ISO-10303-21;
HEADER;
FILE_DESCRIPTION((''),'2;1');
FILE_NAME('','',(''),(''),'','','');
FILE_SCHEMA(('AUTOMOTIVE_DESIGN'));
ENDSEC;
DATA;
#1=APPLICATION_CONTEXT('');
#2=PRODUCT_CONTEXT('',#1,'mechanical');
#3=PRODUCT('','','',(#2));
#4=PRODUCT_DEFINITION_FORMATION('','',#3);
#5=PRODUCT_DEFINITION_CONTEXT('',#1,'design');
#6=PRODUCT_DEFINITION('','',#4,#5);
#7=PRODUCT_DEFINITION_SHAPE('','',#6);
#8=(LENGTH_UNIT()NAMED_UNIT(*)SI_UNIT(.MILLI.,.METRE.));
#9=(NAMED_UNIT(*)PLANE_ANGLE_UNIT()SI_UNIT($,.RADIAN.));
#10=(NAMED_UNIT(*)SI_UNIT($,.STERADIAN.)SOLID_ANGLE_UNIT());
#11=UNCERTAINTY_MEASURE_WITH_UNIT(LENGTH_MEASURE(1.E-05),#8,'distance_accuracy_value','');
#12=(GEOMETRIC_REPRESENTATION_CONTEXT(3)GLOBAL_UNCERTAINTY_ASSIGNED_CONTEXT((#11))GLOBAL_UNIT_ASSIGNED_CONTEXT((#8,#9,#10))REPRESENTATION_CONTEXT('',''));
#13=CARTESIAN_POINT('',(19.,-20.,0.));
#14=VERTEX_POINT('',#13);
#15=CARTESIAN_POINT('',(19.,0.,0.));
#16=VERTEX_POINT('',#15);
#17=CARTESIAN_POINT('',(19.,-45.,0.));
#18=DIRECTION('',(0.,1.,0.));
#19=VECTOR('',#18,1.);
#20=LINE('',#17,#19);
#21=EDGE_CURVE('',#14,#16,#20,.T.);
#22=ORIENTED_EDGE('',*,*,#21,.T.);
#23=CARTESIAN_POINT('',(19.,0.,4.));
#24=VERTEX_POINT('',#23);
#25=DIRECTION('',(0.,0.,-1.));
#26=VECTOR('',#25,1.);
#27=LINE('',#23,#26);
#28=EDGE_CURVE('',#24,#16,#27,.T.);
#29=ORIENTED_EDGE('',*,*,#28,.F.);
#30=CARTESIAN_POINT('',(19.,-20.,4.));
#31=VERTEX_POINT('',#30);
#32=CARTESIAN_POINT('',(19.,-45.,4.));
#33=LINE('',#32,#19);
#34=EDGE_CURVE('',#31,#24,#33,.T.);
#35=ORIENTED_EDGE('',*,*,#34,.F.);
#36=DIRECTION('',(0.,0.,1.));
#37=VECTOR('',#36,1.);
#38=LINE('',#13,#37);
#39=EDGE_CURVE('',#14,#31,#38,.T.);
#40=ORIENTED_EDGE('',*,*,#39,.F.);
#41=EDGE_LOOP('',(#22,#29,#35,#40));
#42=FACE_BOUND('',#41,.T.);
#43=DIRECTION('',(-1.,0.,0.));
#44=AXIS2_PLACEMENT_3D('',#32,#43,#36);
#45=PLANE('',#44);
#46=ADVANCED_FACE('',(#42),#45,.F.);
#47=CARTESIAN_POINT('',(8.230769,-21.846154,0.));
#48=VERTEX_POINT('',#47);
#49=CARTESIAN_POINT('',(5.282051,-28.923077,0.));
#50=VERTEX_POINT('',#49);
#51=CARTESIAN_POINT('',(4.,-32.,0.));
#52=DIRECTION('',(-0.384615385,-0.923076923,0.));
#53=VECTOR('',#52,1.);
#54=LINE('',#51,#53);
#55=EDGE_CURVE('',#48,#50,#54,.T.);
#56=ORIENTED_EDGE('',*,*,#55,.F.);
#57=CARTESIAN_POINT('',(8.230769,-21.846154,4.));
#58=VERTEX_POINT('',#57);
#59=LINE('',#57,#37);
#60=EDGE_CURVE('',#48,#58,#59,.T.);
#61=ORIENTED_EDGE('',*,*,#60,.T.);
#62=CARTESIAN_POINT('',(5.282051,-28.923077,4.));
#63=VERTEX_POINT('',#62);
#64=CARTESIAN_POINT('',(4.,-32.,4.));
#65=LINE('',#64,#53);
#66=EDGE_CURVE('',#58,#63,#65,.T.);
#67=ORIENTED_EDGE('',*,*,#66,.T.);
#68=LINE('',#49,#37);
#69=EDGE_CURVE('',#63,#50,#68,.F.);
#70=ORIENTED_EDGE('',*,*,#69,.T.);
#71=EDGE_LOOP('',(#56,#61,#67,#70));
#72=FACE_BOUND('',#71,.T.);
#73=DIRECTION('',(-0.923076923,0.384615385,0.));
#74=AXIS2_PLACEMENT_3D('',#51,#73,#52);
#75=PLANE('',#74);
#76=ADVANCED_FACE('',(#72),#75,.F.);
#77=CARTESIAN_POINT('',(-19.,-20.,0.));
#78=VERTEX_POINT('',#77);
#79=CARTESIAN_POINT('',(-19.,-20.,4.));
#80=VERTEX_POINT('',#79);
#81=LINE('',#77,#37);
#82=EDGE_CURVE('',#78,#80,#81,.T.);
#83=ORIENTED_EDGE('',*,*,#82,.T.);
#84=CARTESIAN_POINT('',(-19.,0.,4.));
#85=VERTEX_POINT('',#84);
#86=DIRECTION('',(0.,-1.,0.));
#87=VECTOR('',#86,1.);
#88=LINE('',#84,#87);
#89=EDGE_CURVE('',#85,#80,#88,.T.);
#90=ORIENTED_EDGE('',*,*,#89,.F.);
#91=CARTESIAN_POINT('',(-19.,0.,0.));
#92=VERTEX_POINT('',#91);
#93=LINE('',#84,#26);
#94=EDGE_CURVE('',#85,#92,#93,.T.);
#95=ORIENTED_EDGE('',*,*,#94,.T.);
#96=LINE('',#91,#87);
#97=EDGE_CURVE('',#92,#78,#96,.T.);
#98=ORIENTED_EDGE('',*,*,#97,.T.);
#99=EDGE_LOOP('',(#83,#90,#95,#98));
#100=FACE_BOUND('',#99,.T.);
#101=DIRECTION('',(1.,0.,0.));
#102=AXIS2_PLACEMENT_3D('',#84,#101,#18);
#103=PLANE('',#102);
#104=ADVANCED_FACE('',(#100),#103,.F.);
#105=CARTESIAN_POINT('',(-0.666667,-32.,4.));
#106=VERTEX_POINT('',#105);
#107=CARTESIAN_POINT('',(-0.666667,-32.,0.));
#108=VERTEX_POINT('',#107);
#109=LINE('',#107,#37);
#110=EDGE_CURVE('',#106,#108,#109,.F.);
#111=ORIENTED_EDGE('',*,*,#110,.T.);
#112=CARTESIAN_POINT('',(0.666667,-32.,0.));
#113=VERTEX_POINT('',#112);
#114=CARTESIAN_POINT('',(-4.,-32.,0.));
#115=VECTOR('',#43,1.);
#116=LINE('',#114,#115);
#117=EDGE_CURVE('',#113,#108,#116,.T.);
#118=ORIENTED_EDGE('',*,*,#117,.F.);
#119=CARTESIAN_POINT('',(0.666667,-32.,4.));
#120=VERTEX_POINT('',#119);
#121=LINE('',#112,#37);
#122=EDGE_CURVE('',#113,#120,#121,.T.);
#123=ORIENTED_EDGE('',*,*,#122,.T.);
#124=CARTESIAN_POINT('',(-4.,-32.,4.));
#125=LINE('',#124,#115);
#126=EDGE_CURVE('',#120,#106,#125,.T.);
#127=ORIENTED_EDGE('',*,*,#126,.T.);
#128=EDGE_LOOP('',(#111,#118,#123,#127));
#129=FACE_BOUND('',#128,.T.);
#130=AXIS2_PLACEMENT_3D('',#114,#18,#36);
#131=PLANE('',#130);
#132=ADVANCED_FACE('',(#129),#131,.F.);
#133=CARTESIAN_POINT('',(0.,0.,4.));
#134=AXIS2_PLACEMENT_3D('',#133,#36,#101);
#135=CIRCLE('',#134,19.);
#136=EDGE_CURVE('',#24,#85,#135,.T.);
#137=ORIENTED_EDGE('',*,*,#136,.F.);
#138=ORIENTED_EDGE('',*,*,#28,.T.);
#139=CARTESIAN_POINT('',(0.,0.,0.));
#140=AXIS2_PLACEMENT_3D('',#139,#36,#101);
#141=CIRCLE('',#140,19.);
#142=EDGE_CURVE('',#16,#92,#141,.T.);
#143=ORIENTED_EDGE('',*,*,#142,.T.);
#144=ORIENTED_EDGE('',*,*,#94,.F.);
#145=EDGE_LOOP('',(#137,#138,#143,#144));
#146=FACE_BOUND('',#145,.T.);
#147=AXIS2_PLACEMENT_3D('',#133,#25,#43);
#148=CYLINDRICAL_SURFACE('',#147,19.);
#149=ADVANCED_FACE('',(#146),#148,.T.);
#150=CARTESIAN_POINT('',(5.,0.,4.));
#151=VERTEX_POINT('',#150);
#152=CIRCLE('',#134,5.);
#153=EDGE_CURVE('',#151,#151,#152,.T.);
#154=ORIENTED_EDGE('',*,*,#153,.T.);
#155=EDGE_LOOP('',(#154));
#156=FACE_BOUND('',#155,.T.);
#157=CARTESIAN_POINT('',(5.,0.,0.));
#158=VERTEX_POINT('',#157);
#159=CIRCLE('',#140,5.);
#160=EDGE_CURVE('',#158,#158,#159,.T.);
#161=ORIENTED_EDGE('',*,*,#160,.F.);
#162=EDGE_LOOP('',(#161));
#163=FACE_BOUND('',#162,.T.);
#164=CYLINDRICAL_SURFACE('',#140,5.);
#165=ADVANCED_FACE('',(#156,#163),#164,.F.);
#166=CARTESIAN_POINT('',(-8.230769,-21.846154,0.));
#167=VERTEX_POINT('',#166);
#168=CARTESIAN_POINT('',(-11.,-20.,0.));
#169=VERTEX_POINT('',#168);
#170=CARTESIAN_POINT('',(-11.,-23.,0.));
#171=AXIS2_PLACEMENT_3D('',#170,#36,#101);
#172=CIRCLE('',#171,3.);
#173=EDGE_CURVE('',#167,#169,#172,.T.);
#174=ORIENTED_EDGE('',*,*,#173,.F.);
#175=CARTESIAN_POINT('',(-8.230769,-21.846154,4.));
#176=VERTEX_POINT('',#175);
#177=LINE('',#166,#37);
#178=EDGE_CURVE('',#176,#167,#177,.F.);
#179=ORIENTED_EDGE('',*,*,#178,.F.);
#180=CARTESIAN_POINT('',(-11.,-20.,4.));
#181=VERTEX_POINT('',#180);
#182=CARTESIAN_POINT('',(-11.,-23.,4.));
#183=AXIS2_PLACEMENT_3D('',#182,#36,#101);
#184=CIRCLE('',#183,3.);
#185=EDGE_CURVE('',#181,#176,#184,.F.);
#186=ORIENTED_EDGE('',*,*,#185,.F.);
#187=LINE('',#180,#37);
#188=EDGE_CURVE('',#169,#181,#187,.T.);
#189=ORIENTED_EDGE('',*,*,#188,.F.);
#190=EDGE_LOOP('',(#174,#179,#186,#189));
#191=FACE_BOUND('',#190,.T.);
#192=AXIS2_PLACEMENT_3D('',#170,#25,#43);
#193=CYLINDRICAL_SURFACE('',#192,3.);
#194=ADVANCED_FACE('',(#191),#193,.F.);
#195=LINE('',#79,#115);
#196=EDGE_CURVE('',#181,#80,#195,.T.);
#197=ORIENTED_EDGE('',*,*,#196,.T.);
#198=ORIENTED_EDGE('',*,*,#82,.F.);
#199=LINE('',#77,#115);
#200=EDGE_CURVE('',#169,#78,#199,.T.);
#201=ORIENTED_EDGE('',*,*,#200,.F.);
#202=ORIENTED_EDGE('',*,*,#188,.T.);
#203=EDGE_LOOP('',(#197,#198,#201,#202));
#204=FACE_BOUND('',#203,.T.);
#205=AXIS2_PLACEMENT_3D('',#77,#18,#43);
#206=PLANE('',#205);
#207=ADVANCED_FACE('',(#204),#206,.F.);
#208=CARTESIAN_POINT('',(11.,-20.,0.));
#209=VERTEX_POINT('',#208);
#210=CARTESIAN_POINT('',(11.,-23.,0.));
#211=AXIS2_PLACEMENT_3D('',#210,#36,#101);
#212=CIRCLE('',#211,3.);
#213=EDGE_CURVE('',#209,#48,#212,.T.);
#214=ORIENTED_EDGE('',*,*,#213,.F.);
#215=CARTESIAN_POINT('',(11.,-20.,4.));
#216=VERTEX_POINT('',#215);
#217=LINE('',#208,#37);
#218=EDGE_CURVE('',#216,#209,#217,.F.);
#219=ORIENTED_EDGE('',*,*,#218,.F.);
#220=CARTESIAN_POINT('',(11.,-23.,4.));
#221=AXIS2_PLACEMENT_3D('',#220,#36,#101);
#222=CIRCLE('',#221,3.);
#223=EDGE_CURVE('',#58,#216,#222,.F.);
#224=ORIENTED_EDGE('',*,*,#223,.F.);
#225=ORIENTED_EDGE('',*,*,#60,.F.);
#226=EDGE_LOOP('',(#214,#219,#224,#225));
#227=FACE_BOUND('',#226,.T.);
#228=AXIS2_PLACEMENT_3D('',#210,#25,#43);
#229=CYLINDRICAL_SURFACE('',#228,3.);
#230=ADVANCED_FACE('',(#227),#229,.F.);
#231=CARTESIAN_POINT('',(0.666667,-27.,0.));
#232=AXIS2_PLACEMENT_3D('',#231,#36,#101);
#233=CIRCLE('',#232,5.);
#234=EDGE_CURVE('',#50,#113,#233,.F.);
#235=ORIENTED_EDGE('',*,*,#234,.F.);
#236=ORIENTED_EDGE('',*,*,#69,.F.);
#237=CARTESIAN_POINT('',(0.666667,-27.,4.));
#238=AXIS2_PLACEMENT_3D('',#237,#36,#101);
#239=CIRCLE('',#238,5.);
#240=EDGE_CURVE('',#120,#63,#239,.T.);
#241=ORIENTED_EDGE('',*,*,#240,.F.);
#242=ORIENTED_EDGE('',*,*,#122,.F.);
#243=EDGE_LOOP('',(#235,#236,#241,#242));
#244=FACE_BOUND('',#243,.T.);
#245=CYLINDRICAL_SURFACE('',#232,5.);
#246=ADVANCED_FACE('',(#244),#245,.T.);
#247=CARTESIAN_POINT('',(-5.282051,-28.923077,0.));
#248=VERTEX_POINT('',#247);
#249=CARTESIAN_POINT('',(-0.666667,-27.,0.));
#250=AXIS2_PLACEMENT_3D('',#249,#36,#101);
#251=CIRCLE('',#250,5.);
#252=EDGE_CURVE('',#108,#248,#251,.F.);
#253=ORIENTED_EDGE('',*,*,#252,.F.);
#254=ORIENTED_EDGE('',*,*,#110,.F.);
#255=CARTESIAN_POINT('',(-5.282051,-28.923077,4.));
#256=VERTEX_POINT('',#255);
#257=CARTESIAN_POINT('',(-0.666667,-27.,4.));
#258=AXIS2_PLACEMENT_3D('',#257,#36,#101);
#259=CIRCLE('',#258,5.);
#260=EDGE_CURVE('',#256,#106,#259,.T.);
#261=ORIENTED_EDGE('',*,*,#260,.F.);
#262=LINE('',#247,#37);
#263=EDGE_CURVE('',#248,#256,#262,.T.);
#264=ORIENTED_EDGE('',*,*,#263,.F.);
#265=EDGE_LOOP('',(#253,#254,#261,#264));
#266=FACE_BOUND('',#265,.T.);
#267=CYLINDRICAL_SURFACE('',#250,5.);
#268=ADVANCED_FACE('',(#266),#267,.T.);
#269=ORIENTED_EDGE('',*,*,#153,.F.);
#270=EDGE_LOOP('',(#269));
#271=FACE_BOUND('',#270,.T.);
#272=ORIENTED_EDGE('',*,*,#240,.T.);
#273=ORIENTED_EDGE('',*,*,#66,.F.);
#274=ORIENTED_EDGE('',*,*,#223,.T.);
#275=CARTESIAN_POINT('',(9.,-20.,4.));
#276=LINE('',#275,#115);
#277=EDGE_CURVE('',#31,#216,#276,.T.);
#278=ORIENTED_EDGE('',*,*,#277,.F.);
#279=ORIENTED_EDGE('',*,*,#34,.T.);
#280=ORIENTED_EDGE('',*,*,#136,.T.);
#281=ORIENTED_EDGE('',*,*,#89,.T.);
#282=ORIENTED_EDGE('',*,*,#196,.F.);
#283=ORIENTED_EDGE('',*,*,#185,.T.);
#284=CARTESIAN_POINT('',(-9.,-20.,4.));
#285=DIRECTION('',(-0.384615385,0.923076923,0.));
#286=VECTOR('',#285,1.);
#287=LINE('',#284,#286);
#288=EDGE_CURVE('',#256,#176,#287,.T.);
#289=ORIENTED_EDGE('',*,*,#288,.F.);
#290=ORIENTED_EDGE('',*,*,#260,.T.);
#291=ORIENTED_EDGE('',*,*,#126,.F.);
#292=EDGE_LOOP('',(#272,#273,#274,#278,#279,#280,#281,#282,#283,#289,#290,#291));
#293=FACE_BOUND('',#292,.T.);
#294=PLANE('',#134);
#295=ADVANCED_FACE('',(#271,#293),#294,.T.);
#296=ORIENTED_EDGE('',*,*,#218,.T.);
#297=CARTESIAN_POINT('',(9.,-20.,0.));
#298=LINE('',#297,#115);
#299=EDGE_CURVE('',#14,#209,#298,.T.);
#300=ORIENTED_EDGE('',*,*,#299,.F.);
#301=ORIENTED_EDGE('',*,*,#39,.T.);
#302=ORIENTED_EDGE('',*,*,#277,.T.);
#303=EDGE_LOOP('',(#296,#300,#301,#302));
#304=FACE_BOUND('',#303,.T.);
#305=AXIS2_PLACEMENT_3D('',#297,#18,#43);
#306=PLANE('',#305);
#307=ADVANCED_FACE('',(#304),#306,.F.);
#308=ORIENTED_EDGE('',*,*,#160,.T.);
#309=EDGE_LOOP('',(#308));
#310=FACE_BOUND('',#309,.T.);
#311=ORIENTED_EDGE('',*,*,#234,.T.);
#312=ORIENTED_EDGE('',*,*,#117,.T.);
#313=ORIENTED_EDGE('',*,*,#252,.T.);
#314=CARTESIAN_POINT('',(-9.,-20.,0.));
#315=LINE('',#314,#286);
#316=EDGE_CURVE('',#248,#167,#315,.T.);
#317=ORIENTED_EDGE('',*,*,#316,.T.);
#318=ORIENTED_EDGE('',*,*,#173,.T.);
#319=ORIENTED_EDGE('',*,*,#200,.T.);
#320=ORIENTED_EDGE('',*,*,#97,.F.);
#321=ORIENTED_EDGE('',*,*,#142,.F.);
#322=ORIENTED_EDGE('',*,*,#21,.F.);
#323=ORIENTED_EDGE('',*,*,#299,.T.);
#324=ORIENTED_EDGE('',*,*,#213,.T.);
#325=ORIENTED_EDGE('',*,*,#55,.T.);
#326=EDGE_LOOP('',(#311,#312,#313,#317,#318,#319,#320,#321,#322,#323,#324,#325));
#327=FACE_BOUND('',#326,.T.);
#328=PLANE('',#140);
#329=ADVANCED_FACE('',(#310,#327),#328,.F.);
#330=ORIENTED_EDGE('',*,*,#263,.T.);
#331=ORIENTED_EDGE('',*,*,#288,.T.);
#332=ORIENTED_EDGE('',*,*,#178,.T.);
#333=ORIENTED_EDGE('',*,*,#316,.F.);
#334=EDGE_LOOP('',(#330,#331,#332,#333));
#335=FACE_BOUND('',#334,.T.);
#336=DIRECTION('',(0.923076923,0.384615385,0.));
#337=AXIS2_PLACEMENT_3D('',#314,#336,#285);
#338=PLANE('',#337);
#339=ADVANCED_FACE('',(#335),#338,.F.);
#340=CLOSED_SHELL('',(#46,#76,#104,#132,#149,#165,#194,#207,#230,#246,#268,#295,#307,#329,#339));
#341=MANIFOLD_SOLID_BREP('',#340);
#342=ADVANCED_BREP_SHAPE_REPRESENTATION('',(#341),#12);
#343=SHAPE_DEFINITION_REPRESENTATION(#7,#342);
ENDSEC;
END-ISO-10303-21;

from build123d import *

# Parameters (mm, degrees)
SKETCH1_R           = 2.5
SKETCH1_R_2         = 1.5
BOSS_EXTRUDE1_DEPTH = 4
SKETCH2_R           = 5
CUT_EXTRUDE1_DEPTH  = 50.010203019
FILLET1_R           = 5
FILLET2_R           = 3


with BuildPart() as part:
    # Sketch1 → Boss-Extrude1 (new body)
    with BuildSketch(Plane.XY):
        with BuildLine():
            Line((-19, 0), (-19, -32))
            Line((-19, -32), (-14.8, -32))
            Line((-14.8, -32), (-14.8, -45))
            Line((-14.8, -45), (-5, -45))
            Line((-5, -45), (-5, -42))
            Line((-5, -42), (5, -42))
            Line((5, -42), (5, -45))
            Line((5, -45), (19, -45))
            Line((19, -45), (19, 0))
            ThreePointArc((19, 0), (0, 19), (-19, 0))
        make_face()
        Circle(SKETCH1_R, mode=Mode.SUBTRACT)
        with Locations((-14, -27)):
            Circle(SKETCH1_R_2, mode=Mode.SUBTRACT)
        with Locations(Location((14, -27, 0), (0, 0, 180))):
            Circle(SKETCH1_R_2, mode=Mode.SUBTRACT)
    extrude(amount=BOSS_EXTRUDE1_DEPTH)

    # Sketch2 → Cut-Extrude1 (cut, through all)
    with BuildSketch(Plane.XY.offset(4)):
        Circle(SKETCH2_R)
        Polygon((-19, -20), (-9, -20), (-4, -32), (4, -32), (9, -20), (19, -20), (19, -45), (-19, -45), align=None)
    extrude(amount=-CUT_EXTRUDE1_DEPTH, mode=Mode.SUBTRACT)

    # Fillet1
    fillet1_edges = [part.edges().sort_by_distance(p)[0] for p in [
        (-4, -32, 2),
        (4, -32, 2),
    ]]
    fillet(fillet1_edges, radius=FILLET1_R)

    # Fillet2
    fillet2_edges = [part.edges().sort_by_distance(p)[0] for p in [
        (-9, -20, 2),
        (9, -20, 2),
    ]]
    fillet(fillet2_edges, radius=FILLET2_R)


solid = part.part
